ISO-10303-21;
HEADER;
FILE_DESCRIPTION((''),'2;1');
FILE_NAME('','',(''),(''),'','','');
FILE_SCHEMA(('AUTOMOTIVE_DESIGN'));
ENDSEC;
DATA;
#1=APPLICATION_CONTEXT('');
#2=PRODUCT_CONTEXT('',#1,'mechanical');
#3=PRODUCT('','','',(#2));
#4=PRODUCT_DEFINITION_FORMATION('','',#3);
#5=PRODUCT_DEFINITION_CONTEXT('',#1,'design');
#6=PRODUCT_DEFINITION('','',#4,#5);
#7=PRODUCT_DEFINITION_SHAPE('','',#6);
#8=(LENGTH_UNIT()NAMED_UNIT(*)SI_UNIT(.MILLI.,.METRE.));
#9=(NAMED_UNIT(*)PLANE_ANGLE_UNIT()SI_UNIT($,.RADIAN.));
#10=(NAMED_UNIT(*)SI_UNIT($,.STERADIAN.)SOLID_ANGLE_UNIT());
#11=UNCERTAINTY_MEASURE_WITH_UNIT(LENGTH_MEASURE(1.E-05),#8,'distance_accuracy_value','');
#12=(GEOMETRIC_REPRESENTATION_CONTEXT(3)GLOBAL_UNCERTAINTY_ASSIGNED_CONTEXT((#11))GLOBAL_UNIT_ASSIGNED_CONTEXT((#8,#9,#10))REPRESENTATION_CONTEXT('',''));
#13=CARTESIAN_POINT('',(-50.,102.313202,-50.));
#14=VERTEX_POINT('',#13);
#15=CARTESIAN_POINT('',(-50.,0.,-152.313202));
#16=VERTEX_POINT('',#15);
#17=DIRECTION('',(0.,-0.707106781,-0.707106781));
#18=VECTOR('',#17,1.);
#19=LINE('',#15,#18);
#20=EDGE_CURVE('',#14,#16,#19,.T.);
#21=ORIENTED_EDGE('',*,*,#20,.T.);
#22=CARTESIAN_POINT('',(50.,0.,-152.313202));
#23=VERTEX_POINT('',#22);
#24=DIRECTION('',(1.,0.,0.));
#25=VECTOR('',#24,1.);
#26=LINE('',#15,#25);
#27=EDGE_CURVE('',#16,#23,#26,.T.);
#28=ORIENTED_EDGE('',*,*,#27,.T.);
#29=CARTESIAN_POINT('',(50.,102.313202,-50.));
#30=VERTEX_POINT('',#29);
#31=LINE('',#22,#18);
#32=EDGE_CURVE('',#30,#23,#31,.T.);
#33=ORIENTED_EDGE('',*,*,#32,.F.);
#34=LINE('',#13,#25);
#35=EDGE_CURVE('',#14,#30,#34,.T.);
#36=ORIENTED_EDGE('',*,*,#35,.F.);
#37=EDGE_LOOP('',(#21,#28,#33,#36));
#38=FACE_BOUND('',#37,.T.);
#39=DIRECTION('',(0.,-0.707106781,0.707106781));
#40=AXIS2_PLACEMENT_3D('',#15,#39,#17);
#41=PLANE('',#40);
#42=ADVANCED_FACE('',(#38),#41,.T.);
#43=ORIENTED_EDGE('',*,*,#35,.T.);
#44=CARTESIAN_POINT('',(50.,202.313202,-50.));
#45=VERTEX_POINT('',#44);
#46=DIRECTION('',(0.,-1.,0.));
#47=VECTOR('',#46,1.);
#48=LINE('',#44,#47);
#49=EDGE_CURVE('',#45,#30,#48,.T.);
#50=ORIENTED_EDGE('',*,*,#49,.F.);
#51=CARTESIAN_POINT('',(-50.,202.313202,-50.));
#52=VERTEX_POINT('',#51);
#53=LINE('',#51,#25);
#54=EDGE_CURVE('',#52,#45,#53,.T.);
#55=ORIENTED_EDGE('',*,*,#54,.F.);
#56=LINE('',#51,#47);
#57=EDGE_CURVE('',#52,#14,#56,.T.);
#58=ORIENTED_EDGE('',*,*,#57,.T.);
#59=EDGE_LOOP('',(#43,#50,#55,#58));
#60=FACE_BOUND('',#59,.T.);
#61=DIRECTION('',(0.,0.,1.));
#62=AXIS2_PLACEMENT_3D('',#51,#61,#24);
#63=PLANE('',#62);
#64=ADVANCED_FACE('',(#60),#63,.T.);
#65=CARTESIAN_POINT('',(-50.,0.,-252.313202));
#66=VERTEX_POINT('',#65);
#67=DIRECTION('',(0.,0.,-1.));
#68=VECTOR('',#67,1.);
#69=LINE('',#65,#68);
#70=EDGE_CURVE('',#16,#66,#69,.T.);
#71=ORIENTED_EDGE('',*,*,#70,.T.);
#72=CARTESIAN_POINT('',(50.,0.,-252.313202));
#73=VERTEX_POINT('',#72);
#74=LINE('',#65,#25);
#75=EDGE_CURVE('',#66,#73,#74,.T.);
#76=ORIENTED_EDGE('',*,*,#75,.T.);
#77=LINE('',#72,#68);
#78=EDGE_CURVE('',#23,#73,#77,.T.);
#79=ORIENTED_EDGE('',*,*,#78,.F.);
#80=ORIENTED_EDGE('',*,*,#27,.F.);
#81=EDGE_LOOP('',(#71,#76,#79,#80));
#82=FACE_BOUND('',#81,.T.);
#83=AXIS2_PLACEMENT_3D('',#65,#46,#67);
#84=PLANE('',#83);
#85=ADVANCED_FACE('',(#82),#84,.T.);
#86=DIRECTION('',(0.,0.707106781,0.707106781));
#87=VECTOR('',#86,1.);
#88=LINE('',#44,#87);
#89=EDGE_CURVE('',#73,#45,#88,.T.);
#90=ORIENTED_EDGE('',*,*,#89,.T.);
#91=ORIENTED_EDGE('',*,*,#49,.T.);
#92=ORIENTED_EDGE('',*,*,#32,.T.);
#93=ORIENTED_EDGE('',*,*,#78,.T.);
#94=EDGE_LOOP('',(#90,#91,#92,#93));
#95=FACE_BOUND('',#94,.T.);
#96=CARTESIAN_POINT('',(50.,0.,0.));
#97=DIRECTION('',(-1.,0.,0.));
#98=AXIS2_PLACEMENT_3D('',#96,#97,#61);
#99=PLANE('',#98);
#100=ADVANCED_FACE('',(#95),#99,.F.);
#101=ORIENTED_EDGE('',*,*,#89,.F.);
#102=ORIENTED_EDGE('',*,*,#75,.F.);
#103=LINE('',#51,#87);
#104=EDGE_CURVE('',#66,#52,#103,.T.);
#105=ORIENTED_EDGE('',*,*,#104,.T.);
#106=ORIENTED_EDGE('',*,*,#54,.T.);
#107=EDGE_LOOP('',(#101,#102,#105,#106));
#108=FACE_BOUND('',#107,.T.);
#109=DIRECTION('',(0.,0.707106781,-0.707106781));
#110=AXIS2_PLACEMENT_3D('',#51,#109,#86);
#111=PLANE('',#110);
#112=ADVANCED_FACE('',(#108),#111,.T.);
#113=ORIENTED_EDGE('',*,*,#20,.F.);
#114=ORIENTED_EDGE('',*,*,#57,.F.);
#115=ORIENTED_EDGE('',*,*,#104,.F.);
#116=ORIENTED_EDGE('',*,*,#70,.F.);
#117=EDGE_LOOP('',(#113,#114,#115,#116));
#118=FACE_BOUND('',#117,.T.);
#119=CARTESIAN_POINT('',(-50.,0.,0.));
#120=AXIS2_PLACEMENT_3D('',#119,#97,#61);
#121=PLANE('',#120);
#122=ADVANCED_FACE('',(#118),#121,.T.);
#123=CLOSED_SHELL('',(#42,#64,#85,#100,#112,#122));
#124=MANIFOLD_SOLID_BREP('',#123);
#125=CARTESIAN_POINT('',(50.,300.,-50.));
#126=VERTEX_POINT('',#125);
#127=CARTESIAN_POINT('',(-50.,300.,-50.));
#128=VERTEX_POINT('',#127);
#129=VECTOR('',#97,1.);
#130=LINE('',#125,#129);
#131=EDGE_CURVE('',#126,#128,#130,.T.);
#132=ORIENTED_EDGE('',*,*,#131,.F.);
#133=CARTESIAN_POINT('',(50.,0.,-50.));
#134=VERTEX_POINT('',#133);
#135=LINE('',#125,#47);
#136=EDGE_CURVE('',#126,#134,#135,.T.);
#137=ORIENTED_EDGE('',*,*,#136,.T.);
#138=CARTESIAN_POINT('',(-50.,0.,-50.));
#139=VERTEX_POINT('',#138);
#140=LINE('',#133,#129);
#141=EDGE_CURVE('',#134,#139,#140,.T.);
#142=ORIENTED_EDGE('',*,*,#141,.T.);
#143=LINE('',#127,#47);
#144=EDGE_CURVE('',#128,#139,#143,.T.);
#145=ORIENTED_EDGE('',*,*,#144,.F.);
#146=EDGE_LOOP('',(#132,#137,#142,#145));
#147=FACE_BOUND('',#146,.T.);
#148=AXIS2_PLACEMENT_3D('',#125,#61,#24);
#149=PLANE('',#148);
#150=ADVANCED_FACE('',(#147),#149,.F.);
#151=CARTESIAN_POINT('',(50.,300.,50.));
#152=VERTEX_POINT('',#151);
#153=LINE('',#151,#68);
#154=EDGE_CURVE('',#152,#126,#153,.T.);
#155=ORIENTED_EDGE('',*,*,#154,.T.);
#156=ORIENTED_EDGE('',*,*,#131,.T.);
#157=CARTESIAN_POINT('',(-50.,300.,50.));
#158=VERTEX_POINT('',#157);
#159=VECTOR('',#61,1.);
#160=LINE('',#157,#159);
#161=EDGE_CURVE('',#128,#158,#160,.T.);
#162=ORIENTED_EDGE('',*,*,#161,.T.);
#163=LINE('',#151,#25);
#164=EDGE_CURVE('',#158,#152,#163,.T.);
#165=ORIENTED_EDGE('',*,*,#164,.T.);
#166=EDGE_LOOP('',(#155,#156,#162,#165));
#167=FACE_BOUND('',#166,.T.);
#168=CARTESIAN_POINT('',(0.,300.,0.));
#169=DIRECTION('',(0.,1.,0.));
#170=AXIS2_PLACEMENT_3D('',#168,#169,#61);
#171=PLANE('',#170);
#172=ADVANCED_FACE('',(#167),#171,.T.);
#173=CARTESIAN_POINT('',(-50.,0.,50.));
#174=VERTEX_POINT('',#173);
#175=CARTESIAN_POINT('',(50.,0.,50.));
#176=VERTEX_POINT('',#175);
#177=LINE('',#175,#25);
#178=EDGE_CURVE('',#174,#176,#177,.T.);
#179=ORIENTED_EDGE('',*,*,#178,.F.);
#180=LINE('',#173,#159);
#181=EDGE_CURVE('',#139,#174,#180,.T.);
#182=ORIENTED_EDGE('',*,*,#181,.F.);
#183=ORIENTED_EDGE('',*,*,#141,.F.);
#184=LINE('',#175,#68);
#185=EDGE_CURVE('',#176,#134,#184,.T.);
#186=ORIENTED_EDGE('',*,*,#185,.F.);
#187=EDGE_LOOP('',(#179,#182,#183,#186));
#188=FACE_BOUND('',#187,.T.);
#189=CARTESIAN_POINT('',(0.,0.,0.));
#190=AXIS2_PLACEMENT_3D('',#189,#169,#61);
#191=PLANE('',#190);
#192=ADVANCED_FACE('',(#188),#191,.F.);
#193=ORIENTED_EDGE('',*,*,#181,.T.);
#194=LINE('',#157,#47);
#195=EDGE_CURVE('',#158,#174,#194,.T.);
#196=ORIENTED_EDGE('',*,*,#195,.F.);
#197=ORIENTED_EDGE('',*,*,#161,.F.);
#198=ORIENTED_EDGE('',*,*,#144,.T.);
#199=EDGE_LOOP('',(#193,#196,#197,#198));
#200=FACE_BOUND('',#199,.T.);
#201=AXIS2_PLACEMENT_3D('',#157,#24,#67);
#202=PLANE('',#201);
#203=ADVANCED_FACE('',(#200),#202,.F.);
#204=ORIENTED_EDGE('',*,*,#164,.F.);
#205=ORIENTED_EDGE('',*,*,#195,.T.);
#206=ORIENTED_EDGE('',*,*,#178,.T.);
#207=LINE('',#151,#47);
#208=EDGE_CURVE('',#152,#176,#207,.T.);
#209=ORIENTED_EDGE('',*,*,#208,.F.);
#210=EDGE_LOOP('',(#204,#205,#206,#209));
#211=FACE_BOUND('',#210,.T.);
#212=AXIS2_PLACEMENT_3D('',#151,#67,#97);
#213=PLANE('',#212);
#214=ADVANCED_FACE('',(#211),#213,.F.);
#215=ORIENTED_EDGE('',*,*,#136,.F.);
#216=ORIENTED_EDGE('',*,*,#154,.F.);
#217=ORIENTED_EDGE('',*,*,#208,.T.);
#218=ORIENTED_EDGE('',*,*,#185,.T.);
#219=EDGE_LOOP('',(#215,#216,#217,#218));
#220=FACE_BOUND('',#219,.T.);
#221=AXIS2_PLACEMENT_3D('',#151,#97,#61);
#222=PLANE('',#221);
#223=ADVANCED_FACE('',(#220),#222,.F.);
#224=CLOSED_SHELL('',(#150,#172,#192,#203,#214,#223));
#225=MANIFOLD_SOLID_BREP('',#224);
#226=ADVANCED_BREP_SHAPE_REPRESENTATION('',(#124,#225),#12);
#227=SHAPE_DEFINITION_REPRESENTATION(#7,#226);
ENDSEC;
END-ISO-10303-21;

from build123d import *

# Parameters (mm, degrees)
SKETCH1_W           = 100
SKETCH1_H           = 100
BOSS_EXTRUDE1_DEPTH = 300
BOSS_EXTRUDE2_DEPTH = 100


with BuildPart() as part:
    # Sketch1 → Boss-Extrude1 (new body)
    with BuildSketch(Plane(origin=(0, 0, 0), x_dir=(1, 0, 0), z_dir=(0, 1, 0))):
        Rectangle(SKETCH1_W, SKETCH1_H)
    extrude(amount=BOSS_EXTRUDE1_DEPTH)


with BuildPart() as body_2:
    # Sketch2 → Boss-Extrude2 (new body)
    with BuildSketch(Plane(origin=(50, 0, 0), x_dir=(0, 0, -1), z_dir=(1, 0, 0))):
        Polygon((50, 202.313201964), (252.313201964, 0), (152.313201964, 0), (50, 102.313201964), align=None)
    extrude(amount=-BOSS_EXTRUDE2_DEPTH)


solid = Compound([part.part, body_2.part])
